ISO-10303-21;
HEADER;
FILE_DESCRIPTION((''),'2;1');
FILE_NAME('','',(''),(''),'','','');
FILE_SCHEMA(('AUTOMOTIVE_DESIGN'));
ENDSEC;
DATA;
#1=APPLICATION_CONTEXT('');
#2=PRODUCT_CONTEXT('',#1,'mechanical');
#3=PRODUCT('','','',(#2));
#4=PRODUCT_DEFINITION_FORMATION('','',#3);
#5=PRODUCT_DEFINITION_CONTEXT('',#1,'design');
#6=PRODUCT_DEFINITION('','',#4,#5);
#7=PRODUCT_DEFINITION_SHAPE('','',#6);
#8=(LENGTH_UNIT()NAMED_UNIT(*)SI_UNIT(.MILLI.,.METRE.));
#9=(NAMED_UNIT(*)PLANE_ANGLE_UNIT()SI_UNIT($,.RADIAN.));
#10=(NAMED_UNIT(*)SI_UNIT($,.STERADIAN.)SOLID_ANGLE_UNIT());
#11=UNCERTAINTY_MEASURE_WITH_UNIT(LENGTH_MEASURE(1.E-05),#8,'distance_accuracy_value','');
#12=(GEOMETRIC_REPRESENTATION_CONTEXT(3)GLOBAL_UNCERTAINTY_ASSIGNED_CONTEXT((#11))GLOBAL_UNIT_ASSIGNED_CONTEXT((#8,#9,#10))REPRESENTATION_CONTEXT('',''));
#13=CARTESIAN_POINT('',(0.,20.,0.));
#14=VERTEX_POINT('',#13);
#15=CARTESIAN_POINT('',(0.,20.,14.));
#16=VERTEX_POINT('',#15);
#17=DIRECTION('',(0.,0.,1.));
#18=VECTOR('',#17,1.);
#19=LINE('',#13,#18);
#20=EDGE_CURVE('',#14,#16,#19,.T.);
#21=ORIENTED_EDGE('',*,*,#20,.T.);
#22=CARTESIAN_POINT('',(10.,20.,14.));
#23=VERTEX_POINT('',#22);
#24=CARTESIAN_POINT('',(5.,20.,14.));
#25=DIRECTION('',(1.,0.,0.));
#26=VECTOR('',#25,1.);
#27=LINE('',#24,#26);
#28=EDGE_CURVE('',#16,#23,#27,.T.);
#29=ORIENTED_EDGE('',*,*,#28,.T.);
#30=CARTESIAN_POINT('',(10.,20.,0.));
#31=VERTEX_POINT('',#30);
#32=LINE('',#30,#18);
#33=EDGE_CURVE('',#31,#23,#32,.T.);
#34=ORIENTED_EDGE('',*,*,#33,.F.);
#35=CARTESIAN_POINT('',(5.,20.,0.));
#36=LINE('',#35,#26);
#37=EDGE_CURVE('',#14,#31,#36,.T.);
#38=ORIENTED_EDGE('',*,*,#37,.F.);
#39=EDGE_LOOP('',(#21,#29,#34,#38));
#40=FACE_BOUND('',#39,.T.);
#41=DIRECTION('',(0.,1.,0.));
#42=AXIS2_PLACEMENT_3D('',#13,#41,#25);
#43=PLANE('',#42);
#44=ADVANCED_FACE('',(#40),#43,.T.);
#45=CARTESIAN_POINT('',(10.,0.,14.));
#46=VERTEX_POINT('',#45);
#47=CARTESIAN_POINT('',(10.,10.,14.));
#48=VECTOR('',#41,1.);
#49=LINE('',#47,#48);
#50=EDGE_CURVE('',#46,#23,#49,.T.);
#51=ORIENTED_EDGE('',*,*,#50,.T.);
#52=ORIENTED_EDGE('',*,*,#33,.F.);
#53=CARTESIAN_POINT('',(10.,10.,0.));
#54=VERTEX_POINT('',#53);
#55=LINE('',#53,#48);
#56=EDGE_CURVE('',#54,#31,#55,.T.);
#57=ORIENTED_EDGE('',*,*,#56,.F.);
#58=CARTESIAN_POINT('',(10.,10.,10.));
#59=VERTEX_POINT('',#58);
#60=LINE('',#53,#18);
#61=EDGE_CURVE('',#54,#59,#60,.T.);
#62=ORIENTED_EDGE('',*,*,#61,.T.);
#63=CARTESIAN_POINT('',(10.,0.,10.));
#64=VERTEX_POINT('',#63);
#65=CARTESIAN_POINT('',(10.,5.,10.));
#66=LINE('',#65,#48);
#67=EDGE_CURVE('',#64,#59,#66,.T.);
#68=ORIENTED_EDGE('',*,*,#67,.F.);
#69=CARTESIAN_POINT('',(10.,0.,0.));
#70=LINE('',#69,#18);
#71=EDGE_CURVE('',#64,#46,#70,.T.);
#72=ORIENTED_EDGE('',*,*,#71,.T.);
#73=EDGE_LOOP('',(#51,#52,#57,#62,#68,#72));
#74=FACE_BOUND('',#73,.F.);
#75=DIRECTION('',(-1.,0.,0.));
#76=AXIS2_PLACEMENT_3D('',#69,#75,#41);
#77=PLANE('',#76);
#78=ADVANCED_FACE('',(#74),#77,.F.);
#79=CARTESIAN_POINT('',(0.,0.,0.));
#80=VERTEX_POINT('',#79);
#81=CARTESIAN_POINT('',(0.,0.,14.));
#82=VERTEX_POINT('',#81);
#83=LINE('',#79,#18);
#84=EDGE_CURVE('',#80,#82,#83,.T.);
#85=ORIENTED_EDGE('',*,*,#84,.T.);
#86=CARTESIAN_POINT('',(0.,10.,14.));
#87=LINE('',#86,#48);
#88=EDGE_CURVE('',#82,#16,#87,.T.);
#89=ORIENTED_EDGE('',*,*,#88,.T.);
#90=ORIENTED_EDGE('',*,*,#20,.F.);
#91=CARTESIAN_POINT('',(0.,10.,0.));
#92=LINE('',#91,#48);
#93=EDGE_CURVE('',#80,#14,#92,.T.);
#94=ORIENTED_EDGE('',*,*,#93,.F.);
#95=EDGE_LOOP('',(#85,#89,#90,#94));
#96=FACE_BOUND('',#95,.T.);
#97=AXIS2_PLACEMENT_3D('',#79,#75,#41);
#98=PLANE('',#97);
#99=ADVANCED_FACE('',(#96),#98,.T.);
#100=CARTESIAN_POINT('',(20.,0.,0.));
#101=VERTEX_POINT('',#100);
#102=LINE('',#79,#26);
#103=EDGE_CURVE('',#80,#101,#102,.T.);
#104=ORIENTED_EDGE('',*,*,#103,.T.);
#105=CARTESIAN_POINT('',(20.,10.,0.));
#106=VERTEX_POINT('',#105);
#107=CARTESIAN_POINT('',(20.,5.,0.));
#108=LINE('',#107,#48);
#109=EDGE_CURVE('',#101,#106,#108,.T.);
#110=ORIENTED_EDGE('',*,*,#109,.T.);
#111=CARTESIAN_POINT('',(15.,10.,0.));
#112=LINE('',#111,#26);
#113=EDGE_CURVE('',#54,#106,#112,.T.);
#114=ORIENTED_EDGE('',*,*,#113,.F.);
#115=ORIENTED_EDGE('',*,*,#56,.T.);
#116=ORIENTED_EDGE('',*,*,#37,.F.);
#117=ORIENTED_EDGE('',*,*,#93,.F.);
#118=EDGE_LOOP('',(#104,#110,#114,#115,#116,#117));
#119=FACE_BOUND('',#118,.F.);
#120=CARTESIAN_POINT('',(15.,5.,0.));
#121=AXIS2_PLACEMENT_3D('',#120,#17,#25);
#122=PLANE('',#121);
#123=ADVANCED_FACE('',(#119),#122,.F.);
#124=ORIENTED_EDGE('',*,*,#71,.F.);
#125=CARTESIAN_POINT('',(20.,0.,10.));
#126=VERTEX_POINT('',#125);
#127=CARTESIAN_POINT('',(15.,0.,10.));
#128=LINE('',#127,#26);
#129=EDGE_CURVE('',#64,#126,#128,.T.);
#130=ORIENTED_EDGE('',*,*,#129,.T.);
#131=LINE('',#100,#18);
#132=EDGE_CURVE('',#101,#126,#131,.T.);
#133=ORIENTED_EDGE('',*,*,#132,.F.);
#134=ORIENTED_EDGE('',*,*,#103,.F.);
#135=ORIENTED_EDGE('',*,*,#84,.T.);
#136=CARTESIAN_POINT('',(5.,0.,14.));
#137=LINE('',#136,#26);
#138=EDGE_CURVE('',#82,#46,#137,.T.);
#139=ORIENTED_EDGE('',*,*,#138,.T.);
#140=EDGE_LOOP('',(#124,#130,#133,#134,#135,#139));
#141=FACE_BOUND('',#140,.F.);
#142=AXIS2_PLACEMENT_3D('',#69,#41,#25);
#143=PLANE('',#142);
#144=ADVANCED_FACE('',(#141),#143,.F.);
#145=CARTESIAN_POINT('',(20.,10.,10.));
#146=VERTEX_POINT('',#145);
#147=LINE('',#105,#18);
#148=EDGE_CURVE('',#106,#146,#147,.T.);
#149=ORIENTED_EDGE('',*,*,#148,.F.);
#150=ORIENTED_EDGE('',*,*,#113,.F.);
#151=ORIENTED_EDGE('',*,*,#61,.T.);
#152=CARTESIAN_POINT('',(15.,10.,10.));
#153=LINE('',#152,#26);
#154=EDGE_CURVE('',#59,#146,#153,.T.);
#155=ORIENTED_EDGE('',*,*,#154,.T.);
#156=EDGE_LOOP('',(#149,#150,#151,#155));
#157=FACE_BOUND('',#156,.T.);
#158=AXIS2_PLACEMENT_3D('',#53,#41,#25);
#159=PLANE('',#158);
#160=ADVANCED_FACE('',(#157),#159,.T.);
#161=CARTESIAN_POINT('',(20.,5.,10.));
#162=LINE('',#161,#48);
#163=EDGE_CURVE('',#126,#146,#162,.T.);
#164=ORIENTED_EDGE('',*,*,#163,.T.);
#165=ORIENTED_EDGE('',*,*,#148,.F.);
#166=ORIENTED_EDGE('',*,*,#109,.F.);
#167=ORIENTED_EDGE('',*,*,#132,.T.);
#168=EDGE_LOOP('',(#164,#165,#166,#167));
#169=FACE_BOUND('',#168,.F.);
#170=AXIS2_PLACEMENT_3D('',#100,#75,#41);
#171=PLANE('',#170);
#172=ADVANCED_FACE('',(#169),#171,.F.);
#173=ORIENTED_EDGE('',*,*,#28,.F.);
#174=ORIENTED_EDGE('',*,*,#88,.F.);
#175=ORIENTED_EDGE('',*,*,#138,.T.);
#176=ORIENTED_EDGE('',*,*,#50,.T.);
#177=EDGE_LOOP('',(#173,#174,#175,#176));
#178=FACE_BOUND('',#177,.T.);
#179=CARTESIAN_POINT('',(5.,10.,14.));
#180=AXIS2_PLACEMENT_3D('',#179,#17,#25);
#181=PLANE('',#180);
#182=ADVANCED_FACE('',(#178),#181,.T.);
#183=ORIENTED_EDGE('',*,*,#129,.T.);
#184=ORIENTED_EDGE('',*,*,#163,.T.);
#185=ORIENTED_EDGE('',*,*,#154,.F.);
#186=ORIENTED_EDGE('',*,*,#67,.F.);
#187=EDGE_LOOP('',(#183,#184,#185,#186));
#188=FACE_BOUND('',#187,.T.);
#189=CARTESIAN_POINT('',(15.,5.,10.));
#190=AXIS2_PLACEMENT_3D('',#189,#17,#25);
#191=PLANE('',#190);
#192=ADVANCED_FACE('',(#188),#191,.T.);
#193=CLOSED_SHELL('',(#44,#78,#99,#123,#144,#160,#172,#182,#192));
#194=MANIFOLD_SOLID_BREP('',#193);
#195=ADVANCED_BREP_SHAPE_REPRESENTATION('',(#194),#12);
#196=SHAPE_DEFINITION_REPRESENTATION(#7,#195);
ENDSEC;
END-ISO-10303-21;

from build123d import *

# Parameters (mm, degrees)
BOX001_W     = 10
BOX001_H     = 10
BOX001_DEPTH = 10
BOX_W        = 10
BOX_H        = 20
BOX_DEPTH    = 14


with BuildPart() as box001:
    # Box001 → Box001 (new body)
    with BuildSketch(Plane(origin=(10, 0, 0), x_dir=(1, 0, 0), z_dir=(0, 0, 1))):
        with Locations((5, 5)):
            Rectangle(BOX001_W, BOX001_H)
    extrude(amount=BOX001_DEPTH)


with BuildPart() as fusion:
    # Box → Box (new body)
    with BuildSketch(Plane.XY):
        with Locations((5, 10)):
            Rectangle(BOX_W, BOX_H)
    extrude(amount=BOX_DEPTH)

    # Fusion: union Box001
    add(box001.part)


solid = fusion.part
